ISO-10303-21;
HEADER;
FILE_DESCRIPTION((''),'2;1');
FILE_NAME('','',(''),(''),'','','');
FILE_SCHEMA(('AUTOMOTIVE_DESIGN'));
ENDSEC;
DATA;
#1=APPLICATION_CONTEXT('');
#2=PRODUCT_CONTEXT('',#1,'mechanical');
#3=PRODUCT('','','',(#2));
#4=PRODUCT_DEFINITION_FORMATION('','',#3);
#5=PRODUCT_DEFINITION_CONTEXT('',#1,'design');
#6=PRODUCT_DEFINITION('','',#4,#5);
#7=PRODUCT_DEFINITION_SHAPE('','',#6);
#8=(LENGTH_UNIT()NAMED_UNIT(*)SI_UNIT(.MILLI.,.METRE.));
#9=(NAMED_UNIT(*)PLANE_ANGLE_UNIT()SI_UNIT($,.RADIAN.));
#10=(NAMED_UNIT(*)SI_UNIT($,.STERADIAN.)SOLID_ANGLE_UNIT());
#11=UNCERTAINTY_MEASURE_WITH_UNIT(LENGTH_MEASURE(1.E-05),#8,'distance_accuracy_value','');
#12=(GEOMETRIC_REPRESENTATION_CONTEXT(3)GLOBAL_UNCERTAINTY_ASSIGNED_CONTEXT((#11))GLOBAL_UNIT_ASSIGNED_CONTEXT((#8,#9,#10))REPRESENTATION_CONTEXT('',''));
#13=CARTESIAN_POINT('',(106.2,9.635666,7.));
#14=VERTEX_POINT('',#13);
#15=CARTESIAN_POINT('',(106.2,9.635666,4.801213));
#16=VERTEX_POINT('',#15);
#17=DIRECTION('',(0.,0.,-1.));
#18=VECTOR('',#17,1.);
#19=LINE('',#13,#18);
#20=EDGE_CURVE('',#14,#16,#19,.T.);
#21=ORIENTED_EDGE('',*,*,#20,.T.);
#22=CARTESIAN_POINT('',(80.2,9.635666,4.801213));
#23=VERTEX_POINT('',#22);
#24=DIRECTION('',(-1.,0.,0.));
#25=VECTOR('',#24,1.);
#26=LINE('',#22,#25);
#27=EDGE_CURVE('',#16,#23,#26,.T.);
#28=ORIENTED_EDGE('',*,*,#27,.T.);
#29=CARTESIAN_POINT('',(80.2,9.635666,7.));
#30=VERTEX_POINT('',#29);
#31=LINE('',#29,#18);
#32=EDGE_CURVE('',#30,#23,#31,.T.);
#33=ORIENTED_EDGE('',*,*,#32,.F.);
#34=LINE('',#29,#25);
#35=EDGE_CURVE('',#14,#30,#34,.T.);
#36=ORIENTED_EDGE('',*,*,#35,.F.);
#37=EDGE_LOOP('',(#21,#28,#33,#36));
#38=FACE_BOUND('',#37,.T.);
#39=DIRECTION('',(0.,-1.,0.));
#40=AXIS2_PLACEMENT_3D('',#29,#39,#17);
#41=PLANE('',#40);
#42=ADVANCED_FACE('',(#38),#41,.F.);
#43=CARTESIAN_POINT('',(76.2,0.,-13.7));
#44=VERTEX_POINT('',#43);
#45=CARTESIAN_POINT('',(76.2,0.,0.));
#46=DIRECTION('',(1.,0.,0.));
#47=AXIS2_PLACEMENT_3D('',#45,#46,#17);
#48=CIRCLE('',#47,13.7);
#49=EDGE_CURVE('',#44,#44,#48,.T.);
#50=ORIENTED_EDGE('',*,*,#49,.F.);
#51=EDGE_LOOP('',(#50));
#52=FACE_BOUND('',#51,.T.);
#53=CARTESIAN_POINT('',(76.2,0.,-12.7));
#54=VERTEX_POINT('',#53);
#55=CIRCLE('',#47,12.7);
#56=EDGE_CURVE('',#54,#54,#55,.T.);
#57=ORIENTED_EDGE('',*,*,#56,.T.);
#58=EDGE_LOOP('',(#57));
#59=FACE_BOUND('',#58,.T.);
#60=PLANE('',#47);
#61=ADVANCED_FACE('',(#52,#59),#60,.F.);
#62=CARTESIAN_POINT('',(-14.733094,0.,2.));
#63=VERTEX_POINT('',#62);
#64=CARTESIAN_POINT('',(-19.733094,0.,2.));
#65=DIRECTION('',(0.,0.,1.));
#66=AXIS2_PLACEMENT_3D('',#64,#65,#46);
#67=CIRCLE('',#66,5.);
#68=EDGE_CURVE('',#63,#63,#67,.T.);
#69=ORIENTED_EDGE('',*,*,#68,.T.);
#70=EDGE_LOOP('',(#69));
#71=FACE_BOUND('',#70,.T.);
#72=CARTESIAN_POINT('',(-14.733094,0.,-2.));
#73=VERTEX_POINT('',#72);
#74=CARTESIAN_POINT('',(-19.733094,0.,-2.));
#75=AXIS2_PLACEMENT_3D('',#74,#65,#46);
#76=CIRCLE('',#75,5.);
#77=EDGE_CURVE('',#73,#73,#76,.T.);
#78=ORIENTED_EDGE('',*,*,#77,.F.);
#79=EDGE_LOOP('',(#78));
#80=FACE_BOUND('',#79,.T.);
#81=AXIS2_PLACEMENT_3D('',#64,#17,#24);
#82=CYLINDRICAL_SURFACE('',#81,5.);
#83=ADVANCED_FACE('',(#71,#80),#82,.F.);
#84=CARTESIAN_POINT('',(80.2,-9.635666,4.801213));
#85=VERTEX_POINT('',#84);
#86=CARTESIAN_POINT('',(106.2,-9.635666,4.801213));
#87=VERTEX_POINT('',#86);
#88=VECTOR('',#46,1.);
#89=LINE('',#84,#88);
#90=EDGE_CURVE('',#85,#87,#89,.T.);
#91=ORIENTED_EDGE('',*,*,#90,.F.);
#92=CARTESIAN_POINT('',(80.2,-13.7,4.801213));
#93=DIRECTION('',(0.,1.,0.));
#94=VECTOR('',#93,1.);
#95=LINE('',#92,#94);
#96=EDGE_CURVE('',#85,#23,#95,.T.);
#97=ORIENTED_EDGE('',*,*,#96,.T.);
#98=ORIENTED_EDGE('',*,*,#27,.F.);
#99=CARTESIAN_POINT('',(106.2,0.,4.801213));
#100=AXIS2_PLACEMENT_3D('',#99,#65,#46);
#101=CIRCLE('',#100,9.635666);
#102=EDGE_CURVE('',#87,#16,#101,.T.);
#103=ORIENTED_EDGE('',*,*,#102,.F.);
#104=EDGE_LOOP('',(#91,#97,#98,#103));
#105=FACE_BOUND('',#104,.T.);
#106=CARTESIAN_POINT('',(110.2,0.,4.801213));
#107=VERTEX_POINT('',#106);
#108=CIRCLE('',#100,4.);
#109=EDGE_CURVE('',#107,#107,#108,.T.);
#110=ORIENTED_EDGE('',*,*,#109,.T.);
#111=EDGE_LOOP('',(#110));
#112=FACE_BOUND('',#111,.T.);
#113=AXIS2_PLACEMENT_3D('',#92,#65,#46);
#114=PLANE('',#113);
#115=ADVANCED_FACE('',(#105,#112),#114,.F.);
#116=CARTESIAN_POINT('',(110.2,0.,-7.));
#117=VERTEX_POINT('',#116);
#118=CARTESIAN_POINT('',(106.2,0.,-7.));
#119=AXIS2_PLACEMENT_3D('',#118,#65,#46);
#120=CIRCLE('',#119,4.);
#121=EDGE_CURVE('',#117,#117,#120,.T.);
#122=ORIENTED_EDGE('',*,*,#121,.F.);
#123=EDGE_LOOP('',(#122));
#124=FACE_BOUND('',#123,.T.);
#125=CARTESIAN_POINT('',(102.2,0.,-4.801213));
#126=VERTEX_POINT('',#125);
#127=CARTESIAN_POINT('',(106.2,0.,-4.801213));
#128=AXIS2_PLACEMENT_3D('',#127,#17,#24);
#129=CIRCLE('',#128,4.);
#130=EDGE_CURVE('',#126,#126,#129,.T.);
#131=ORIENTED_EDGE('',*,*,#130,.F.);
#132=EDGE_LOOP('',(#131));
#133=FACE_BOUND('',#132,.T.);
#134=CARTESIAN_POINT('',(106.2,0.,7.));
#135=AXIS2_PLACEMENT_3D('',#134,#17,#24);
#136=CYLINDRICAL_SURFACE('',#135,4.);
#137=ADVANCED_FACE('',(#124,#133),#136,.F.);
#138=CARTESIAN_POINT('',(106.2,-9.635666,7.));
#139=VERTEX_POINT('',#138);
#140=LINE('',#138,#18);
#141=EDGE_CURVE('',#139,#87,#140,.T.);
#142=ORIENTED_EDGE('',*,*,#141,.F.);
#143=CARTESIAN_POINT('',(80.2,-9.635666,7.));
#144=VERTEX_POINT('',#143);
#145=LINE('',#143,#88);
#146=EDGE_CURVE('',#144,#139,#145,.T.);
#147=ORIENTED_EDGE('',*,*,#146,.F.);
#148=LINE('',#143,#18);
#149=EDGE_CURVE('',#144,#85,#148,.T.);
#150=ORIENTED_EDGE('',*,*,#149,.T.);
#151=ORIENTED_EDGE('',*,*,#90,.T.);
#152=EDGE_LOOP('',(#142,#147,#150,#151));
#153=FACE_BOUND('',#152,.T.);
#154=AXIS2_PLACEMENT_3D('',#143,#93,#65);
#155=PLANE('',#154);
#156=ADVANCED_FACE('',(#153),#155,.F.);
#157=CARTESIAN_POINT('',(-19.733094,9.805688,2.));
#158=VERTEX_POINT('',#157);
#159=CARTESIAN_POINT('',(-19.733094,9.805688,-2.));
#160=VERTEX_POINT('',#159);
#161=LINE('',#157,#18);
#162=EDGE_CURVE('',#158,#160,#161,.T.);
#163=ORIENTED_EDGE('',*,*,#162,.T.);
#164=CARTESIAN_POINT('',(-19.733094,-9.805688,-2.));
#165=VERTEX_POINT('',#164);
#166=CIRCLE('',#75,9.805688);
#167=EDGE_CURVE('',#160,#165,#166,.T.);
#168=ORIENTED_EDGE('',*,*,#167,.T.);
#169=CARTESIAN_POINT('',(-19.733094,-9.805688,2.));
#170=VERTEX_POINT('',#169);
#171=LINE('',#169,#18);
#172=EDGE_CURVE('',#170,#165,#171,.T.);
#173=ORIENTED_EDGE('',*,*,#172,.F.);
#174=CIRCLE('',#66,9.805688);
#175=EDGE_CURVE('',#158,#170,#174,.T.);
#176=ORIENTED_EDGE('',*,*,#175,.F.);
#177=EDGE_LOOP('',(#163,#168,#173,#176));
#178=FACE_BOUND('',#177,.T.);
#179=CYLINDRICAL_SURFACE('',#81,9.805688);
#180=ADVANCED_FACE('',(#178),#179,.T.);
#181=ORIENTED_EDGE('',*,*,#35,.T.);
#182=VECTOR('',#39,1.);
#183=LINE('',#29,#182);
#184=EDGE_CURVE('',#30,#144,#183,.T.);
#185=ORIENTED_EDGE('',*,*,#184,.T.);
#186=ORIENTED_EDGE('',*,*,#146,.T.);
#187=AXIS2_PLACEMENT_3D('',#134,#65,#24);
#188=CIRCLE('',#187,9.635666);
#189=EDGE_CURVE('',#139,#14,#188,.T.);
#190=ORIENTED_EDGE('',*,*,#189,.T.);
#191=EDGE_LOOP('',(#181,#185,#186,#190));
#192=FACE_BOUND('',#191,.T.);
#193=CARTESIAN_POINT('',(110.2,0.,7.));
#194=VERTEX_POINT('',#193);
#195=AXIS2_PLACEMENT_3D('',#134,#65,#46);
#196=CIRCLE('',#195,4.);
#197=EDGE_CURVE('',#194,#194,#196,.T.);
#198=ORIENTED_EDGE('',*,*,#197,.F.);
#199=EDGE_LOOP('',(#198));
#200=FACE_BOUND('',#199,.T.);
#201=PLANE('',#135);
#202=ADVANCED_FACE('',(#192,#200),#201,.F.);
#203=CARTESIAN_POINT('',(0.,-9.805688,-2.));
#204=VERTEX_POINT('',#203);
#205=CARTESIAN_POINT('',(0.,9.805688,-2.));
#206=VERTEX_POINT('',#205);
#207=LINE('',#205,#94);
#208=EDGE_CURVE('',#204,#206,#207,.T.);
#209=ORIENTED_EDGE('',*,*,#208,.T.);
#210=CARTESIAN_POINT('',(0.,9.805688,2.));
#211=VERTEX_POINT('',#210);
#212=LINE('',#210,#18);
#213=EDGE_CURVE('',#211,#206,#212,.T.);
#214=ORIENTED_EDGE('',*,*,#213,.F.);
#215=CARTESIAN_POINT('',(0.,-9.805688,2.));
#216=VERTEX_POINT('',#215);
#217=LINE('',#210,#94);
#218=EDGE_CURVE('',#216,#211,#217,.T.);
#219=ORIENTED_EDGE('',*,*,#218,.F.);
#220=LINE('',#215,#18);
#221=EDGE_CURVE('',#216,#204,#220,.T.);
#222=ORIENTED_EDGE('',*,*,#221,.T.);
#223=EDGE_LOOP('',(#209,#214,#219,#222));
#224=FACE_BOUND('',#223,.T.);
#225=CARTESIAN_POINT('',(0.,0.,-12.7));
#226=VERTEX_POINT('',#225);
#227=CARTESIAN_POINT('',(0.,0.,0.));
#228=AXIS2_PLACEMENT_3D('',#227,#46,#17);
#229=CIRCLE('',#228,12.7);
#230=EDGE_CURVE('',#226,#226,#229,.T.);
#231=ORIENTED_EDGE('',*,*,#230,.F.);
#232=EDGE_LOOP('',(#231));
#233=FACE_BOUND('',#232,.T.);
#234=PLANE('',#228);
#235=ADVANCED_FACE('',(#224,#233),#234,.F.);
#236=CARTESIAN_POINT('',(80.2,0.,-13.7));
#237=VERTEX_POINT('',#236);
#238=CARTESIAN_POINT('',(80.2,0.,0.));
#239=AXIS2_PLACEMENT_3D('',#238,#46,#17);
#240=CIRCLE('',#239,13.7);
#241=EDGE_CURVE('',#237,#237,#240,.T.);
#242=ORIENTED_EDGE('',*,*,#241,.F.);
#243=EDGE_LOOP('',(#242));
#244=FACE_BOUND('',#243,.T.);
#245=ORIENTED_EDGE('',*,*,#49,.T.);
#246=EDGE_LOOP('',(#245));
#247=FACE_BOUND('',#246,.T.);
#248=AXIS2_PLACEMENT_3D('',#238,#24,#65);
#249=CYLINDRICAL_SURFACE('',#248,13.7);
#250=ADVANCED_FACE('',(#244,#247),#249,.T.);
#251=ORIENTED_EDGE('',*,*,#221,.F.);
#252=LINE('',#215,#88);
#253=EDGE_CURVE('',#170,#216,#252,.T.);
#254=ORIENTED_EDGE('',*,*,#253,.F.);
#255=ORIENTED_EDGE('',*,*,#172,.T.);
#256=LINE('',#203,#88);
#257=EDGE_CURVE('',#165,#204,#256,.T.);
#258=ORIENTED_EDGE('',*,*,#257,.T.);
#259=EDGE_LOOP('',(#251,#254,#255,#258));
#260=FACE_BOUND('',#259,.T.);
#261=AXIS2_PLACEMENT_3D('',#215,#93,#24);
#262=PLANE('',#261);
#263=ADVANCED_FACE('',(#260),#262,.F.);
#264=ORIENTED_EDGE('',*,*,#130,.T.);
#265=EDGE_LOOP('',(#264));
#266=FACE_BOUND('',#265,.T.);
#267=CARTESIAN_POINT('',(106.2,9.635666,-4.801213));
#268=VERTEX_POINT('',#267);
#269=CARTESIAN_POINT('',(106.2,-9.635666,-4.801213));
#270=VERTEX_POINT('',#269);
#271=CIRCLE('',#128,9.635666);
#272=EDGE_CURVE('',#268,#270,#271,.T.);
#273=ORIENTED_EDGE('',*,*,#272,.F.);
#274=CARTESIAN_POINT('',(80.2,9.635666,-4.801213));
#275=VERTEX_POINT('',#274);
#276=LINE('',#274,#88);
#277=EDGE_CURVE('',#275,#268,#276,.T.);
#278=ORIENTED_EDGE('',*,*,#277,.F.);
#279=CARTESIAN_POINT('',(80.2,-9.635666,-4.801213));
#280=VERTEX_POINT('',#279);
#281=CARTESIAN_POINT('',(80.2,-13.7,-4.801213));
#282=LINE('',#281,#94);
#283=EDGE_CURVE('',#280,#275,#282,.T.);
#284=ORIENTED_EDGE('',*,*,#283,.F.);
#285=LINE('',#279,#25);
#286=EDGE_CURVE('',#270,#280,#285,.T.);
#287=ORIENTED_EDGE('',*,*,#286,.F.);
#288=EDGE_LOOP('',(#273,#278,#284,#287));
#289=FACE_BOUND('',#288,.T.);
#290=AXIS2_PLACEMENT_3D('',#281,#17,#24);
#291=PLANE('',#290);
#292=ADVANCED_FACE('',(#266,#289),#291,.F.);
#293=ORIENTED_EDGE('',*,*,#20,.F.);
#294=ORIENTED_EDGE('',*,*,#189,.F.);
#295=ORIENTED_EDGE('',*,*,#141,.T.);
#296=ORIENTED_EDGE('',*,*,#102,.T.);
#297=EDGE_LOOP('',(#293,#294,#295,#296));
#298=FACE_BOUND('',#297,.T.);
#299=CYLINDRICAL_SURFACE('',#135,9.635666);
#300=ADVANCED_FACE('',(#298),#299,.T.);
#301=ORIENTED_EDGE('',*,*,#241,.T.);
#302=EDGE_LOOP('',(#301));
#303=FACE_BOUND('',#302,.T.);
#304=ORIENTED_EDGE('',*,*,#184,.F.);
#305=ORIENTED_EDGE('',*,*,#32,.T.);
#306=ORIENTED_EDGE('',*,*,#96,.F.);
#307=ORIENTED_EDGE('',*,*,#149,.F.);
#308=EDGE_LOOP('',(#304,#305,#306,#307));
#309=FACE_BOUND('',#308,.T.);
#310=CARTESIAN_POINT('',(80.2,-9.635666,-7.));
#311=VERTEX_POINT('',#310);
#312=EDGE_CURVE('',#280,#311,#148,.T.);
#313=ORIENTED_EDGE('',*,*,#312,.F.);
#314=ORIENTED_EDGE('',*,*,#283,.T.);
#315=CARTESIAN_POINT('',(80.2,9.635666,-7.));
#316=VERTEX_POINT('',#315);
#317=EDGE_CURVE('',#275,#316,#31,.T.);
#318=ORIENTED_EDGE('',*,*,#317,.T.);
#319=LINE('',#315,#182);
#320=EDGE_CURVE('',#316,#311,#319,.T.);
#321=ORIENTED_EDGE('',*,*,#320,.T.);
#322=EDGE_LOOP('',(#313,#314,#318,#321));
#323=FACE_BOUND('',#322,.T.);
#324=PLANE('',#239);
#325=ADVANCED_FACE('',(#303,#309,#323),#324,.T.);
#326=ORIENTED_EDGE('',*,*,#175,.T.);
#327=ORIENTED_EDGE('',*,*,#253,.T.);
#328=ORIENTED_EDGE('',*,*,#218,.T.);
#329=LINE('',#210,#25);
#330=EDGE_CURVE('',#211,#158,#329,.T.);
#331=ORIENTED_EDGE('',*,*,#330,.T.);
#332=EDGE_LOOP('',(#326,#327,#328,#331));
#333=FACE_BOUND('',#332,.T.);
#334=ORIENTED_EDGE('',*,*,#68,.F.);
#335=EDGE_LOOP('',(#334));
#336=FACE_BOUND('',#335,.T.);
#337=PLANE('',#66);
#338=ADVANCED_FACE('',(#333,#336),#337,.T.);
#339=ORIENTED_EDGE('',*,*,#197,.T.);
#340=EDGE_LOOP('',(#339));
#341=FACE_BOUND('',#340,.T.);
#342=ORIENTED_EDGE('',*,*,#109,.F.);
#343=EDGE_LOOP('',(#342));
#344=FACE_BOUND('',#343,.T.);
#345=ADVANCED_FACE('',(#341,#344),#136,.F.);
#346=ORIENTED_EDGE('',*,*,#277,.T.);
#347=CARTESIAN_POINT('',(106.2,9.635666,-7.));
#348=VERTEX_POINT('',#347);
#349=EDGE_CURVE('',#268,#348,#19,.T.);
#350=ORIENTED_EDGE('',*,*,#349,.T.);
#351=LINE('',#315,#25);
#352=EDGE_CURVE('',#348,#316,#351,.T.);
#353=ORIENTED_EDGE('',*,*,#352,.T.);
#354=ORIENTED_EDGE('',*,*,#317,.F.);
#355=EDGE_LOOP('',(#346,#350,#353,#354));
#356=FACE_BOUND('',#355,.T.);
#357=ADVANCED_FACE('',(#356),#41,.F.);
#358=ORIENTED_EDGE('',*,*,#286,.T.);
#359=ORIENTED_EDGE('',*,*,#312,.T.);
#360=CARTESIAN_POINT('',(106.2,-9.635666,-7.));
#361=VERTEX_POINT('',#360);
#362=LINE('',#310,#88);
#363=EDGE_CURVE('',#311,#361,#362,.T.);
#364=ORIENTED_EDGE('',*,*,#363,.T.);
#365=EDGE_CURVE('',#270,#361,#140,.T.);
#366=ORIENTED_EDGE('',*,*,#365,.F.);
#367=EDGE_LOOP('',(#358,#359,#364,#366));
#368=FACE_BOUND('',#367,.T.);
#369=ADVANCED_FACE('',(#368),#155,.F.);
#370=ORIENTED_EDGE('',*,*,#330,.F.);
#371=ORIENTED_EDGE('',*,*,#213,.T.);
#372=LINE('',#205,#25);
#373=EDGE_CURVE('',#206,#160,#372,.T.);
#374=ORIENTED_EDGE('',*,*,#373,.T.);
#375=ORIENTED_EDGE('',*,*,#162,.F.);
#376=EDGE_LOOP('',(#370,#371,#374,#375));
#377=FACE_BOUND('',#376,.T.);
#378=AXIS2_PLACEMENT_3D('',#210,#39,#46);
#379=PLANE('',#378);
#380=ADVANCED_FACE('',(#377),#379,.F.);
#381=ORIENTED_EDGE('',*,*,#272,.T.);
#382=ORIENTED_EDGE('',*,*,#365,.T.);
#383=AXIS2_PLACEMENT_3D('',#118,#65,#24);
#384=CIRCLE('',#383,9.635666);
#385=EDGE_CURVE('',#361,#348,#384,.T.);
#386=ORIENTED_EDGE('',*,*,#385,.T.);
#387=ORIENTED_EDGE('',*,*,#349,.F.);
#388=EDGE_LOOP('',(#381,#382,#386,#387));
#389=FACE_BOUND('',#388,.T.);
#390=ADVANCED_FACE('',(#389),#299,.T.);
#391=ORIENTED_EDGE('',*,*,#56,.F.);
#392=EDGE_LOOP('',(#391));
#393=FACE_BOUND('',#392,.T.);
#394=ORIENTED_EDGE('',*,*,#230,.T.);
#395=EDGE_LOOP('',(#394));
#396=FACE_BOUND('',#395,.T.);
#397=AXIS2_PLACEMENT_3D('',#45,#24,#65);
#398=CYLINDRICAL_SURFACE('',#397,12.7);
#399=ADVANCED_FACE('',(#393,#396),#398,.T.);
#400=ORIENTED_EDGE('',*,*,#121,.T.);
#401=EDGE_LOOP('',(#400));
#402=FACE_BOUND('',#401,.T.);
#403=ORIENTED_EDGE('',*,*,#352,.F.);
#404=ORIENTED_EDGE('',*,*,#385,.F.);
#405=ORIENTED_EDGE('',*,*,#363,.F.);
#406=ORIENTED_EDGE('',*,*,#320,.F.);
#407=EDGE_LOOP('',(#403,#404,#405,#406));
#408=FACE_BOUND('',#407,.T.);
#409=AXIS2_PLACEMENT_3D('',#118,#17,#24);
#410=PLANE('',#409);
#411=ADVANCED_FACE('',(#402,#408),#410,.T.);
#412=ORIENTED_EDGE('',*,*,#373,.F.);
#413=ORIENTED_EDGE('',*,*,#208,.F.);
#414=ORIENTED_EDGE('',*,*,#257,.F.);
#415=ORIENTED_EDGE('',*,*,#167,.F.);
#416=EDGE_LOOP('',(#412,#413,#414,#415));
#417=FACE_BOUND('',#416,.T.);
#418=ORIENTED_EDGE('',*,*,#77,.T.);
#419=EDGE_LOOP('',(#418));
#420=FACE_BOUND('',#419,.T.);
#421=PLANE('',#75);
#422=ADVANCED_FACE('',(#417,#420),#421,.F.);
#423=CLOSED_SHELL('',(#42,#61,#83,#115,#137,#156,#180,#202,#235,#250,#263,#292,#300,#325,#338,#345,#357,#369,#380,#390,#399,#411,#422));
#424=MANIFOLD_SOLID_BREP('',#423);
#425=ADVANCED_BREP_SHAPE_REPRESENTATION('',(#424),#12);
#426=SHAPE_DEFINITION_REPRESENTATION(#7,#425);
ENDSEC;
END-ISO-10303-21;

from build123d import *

# Parameters (mm, degrees)
SKETCH1_R               = 12.7
EXTRUDE1_DEPTH          = 76.2
SKETCH2_R               = 5
EXTRUDE2_DEPTH          = 2
SKETCH3_R               = 13.7
EXTRUDE3_DEPTH          = 4
SKETCH4_R               = 4
EXTRUDE4_DEPTH          = 7
SKETCH5_W               = 279.527972269
SKETCH5_H               = 9.602426348
CUT_EXTRUDE1_DEPTH      = 14.7
CUT_EXTRUDE1_DEPTH_BACK = 14.7


with BuildPart() as part:
    # Sketch1 → Extrude1 (new body)
    with BuildSketch(Plane(origin=(0, 0, 0), x_dir=(0, 0, -1), z_dir=(1, 0, 0))):
        Circle(SKETCH1_R)
    extrude(amount=EXTRUDE1_DEPTH)

    # Sketch2 → Extrude2 (add, symmetric)
    with BuildSketch(Plane.XY):
        with BuildLine():
            Line((0, 9.805687548), (-19.733094472, 9.805687548))
            ThreePointArc((-19.733094472, 9.805687548), (-29.53878202, 0), (-19.733094472, -9.805687548))
            Line((-19.733094472, -9.805687548), (0, -9.805687548))
            Line((0, -9.805687548), (0, 9.805687548))
        make_face()
        with Locations((-19.733094472, 0)):
            Circle(SKETCH2_R, mode=Mode.SUBTRACT)
    extrude(amount=EXTRUDE2_DEPTH, both=True)

    # Sketch3 → Extrude3 (add)
    with BuildSketch(Plane(origin=(76.2, 0, 0), x_dir=(0, 0, -1), z_dir=(1, 0, 0))):
        Circle(SKETCH3_R)
    extrude(amount=EXTRUDE3_DEPTH)

    # Sketch4 → Extrude4 (add, symmetric)
    with BuildSketch(Plane.XY):
        with BuildLine():
            Line((80.2, 9.635666442), (106.2, 9.635666442))
            ThreePointArc((106.2, 9.635666442), (115.835666442, 0), (106.2, -9.635666442))
            Line((106.2, -9.635666442), (80.2, -9.635666442))
            Line((80.2, -9.635666442), (80.2, 9.635666442))
        make_face()
        with Locations((106.2, 0)):
            Circle(SKETCH4_R, mode=Mode.SUBTRACT)
    extrude(amount=EXTRUDE4_DEPTH, both=True)

    # Sketch5 → Cut-Extrude1 (cut, two sides)
    with BuildSketch(Plane(origin=(0, 0, 0), x_dir=(1, 0, 0), z_dir=(0, 1, 0))) as cut_extrude1_sk:
        with Locations((219.963986135, 0)):
            Rectangle(SKETCH5_W, SKETCH5_H)
    extrude(amount=CUT_EXTRUDE1_DEPTH, mode=Mode.SUBTRACT)
    extrude(cut_extrude1_sk.sketch, amount=-CUT_EXTRUDE1_DEPTH_BACK, mode=Mode.SUBTRACT)


solid = part.part
